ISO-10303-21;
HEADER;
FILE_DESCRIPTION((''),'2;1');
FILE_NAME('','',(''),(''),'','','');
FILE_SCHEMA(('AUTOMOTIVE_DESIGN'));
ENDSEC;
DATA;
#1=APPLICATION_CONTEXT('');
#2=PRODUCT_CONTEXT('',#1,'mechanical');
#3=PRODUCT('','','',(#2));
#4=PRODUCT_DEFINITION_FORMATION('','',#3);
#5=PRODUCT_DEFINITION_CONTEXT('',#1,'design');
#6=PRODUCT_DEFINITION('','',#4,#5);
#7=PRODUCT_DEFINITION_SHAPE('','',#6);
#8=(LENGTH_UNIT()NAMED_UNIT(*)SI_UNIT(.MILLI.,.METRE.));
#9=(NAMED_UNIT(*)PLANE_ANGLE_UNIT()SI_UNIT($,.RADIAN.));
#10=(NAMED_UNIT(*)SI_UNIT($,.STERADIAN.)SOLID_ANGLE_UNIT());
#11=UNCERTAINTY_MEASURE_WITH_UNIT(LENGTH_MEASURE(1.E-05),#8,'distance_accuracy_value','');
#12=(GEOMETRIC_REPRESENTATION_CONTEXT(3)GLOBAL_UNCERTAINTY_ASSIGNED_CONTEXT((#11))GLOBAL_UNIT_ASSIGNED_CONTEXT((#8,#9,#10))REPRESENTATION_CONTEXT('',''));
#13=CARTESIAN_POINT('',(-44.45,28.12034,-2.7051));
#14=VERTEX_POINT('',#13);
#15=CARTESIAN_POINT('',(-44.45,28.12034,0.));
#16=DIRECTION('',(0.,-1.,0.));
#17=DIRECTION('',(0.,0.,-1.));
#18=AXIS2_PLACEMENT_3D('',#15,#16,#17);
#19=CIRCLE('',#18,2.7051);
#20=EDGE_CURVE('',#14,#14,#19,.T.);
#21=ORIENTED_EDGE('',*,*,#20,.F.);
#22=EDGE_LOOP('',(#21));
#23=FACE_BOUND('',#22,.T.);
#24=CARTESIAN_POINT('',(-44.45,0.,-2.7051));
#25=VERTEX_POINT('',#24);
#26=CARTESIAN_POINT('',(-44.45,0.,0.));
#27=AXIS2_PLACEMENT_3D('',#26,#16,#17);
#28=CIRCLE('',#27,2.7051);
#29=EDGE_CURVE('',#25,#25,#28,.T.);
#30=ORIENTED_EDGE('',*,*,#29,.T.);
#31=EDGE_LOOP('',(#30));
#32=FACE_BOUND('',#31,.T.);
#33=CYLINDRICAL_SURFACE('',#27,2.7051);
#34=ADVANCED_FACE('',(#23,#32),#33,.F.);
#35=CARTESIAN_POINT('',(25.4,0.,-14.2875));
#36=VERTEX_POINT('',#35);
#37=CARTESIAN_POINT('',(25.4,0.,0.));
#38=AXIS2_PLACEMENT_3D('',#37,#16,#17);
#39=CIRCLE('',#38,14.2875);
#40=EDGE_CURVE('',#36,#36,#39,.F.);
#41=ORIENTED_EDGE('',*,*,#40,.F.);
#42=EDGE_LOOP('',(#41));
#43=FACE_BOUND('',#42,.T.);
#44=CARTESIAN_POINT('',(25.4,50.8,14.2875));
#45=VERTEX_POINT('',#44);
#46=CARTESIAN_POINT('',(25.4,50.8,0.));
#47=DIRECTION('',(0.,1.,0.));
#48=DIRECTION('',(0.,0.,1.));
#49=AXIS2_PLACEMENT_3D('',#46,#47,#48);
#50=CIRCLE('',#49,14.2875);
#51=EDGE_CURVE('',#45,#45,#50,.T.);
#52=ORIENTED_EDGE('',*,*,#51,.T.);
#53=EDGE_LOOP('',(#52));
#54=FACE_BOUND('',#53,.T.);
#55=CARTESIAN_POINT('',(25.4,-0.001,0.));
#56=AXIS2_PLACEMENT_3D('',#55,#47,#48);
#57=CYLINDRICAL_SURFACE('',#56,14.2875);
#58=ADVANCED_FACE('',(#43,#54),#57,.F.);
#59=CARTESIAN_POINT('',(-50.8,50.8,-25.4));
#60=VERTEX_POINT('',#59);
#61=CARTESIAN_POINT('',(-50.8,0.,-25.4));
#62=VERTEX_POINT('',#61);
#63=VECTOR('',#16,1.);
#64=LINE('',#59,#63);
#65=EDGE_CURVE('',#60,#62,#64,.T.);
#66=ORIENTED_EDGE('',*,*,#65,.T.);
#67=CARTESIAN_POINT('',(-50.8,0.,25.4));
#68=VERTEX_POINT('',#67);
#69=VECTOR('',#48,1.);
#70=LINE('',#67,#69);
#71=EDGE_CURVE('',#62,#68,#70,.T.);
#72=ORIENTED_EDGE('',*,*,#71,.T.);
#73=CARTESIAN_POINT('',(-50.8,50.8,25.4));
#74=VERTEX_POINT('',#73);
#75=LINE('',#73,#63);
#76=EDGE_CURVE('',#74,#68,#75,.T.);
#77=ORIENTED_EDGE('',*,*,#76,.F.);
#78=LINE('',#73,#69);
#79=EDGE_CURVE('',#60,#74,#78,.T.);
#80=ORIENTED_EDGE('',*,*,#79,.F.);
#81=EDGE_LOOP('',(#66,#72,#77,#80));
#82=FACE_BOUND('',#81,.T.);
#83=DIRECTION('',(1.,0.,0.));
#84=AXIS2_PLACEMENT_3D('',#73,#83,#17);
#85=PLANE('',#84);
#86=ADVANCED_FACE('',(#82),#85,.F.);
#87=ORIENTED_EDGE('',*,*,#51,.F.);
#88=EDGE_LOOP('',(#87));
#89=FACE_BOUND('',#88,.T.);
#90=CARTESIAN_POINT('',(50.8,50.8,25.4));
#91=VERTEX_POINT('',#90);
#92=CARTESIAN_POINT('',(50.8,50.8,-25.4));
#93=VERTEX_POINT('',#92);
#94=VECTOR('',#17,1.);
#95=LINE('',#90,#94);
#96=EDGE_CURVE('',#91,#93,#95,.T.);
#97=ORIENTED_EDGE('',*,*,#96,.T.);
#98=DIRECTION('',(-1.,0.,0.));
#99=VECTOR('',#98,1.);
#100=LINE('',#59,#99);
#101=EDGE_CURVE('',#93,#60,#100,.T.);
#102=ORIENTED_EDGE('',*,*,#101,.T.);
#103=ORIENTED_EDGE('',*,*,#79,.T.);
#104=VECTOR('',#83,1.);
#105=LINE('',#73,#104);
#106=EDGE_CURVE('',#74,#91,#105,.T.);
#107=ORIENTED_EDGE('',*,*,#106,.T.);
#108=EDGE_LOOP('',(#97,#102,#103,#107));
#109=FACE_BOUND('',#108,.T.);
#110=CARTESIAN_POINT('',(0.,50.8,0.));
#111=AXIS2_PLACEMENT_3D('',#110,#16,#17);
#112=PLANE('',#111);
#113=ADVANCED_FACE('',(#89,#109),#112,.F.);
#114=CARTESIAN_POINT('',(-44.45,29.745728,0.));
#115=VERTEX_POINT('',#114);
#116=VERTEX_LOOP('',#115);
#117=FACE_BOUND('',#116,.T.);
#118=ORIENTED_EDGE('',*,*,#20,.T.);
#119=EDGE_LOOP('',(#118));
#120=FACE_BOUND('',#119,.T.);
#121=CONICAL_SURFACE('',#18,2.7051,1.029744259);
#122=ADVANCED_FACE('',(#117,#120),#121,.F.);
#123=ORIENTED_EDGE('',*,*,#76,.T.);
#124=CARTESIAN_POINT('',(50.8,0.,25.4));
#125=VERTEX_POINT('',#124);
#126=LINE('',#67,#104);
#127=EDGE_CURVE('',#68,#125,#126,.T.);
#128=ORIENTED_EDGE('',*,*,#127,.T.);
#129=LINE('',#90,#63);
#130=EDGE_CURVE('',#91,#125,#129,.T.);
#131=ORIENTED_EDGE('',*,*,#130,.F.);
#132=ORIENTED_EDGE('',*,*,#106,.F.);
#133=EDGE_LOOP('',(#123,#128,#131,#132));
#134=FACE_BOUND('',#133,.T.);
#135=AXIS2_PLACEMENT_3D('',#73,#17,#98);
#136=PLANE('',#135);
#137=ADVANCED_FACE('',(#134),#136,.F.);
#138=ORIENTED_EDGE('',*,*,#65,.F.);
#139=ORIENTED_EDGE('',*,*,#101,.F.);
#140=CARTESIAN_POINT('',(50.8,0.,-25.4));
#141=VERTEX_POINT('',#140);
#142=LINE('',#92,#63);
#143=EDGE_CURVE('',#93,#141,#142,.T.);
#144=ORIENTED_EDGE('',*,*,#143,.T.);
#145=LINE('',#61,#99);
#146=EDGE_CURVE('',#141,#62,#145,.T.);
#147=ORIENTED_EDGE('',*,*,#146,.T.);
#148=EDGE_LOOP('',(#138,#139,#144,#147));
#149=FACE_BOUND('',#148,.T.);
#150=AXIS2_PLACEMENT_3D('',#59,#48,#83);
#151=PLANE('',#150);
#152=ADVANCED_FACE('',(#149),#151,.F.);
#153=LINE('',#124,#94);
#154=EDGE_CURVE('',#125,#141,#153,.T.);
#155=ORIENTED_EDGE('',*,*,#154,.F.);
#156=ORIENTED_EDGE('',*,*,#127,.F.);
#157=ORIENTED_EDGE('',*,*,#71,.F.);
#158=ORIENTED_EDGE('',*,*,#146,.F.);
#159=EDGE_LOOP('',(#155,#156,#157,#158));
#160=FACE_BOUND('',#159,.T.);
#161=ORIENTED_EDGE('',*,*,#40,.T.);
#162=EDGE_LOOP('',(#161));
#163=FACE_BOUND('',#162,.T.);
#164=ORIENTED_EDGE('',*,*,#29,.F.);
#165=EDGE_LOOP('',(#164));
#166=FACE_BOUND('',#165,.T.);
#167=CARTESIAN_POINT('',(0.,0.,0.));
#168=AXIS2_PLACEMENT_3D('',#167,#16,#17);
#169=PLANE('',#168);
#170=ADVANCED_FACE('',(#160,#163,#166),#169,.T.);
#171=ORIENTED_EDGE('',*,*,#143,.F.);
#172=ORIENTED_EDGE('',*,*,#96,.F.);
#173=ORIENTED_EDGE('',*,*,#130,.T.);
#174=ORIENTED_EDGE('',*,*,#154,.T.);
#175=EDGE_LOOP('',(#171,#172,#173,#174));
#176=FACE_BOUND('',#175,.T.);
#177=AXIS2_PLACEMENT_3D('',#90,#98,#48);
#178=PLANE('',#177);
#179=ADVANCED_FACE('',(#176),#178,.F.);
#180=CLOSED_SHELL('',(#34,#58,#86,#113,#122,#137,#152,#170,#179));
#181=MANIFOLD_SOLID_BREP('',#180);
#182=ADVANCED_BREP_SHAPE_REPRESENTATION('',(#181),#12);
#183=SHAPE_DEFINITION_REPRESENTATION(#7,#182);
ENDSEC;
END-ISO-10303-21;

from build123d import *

# Parameters (mm, degrees)
SKETCH1_W                   = 101.6
SKETCH1_H                   = 50.8
BOSS_EXTRUDE1_DEPTH         = 50.8
CUT_EXTRUDE1_REACH          = 52.8
SKETCH2_R                   = 14.2875
F_1_4_28_TAPPED_HOLE1_D     = 5.4102
F_1_4_28_TAPPED_HOLE1_DEPTH = 28.12034
F_1_4_28_TAPPED_HOLE1_TIP   = 1.625388061


with BuildPart() as part:
    # Sketch1 → Boss-Extrude1 (new body)
    with BuildSketch(Plane(origin=(0, 0, 0), x_dir=(1, 0, 0), z_dir=(0, 1, 0))):
        Rectangle(SKETCH1_W, SKETCH1_H)
    extrude(amount=BOSS_EXTRUDE1_DEPTH)

    # Sketch2 → Cut-Extrude1 (cut, up to next)
    with BuildSketch(Plane(origin=(0, 50.8, 0), x_dir=(1, 0, 0), z_dir=(0, 1, 0)), mode=Mode.PRIVATE) as cut_extrude1_sk1:
        with Locations((25.4, 0)):
            Circle(SKETCH2_R)
    cut_extrude1_tool1 = extrude(cut_extrude1_sk1.sketch, amount=-CUT_EXTRUDE1_REACH, mode=Mode.PRIVATE) & part.part
    add(cut_extrude1_tool1.solids().sort_by_distance((25.4, 50.8, 0))[0], mode=Mode.SUBTRACT)

    # 1/4-28 Tapped Hole1
    with Locations(Plane(origin=(0, 0, 0), x_dir=(-1, 0, 0), z_dir=(0, -1, 0))):
        with Locations((44.45, 0)):
            Hole(F_1_4_28_TAPPED_HOLE1_D / 2, depth=F_1_4_28_TAPPED_HOLE1_DEPTH)
            with Locations((0, 0, -(F_1_4_28_TAPPED_HOLE1_DEPTH + F_1_4_28_TAPPED_HOLE1_TIP / 2))):  # 118° drill point
                Cone(0, F_1_4_28_TAPPED_HOLE1_D / 2, F_1_4_28_TAPPED_HOLE1_TIP, mode=Mode.SUBTRACT)


solid = part.part
